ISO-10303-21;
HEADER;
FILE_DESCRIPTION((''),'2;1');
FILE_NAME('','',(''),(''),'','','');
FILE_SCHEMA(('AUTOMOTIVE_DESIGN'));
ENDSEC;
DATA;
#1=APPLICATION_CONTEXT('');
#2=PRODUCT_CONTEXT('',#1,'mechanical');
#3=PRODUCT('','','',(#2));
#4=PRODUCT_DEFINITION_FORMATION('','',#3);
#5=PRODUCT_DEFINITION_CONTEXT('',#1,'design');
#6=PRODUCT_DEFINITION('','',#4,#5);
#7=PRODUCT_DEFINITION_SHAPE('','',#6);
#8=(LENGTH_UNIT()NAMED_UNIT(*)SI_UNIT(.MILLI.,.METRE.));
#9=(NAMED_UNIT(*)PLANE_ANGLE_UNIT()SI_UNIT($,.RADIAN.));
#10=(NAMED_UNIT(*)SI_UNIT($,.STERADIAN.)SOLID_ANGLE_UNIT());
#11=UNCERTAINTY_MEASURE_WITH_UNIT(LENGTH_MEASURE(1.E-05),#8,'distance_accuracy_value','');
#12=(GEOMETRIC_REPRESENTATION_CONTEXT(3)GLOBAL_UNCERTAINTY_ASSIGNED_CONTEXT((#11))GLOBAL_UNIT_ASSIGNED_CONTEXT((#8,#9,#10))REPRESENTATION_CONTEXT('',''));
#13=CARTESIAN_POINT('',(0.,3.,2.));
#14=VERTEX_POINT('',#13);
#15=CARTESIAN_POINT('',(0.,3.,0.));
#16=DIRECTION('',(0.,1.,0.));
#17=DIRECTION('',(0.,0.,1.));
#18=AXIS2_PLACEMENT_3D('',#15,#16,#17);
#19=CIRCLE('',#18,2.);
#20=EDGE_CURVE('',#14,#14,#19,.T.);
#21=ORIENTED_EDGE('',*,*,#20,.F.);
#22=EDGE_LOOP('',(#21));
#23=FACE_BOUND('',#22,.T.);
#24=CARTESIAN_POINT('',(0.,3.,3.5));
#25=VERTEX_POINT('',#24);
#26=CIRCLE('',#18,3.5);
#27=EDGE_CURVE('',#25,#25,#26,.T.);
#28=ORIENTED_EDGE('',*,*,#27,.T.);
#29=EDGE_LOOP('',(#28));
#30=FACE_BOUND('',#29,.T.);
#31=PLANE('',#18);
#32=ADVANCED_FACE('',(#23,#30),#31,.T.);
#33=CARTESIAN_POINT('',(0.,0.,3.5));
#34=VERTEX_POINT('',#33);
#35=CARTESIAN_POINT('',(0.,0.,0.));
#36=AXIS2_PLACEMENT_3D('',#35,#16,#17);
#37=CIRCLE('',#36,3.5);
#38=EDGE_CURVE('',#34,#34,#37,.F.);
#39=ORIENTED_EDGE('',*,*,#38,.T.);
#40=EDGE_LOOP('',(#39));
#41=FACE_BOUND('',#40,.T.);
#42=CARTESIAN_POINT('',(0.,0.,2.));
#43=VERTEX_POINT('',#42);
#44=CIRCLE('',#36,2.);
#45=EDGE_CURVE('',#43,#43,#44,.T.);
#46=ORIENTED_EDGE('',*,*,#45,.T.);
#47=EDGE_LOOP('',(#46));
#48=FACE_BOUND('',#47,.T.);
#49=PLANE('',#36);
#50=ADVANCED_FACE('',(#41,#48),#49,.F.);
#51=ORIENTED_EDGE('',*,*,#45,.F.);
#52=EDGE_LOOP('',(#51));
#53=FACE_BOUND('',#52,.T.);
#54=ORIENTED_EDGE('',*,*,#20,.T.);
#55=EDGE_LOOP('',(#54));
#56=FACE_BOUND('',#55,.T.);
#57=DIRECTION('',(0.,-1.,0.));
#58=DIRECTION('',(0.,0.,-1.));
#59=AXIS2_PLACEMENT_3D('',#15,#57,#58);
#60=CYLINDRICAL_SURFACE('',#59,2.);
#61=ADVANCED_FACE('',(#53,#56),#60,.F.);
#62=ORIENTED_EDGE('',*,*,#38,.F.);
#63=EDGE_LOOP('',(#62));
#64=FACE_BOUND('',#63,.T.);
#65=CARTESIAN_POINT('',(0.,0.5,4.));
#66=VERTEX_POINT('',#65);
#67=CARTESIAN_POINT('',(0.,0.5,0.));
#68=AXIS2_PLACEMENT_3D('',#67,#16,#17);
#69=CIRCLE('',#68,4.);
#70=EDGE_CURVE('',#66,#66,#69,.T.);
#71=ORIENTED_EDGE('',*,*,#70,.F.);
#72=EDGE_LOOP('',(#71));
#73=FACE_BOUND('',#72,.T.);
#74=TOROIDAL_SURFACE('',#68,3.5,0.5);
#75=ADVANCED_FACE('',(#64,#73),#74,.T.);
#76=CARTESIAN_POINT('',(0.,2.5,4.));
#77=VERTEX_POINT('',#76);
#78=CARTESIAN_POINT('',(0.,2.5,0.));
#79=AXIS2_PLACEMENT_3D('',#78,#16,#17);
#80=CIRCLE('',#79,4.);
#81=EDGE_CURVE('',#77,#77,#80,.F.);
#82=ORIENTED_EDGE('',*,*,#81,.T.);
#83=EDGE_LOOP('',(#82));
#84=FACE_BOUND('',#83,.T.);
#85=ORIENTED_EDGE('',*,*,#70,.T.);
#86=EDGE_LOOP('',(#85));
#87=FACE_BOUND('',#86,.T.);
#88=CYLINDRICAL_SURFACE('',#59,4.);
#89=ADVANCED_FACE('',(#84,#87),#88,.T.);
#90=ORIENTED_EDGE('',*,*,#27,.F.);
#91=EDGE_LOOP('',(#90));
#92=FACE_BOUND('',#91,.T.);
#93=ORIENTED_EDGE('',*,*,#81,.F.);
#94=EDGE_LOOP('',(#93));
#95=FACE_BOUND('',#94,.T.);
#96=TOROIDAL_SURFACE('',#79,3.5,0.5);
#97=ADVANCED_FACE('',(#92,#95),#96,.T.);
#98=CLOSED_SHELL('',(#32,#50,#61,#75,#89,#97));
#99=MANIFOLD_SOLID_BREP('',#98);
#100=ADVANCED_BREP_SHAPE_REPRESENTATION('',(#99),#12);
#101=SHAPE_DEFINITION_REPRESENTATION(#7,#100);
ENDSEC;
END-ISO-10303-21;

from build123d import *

# Parameters (mm, degrees)
SKETCH1_R           = 4
SKETCH1_R_2         = 2
BOSS_EXTRUDE1_DEPTH = 3
FILLET1_R           = 0.5


with BuildPart() as part:
    # Sketch1 → Boss-Extrude1 (new body)
    with BuildSketch(Plane(origin=(0, 0, 0), x_dir=(1, 0, 0), z_dir=(0, 1, 0))):
        with Locations(Location((0, 0, 0), (0, 0, 270))):
            Circle(SKETCH1_R)
        with Locations(Location((0, 0, 0), (0, 0, 270))):
            Circle(SKETCH1_R_2, mode=Mode.SUBTRACT)
    extrude(amount=BOSS_EXTRUDE1_DEPTH)

    # Fillet1
    fillet1_edges = [part.edges().sort_by_distance(p)[0] for p in [
        (0, 0, -4),
        (0, 3, -4),
    ]]
    fillet(fillet1_edges, radius=FILLET1_R)


solid = part.part
